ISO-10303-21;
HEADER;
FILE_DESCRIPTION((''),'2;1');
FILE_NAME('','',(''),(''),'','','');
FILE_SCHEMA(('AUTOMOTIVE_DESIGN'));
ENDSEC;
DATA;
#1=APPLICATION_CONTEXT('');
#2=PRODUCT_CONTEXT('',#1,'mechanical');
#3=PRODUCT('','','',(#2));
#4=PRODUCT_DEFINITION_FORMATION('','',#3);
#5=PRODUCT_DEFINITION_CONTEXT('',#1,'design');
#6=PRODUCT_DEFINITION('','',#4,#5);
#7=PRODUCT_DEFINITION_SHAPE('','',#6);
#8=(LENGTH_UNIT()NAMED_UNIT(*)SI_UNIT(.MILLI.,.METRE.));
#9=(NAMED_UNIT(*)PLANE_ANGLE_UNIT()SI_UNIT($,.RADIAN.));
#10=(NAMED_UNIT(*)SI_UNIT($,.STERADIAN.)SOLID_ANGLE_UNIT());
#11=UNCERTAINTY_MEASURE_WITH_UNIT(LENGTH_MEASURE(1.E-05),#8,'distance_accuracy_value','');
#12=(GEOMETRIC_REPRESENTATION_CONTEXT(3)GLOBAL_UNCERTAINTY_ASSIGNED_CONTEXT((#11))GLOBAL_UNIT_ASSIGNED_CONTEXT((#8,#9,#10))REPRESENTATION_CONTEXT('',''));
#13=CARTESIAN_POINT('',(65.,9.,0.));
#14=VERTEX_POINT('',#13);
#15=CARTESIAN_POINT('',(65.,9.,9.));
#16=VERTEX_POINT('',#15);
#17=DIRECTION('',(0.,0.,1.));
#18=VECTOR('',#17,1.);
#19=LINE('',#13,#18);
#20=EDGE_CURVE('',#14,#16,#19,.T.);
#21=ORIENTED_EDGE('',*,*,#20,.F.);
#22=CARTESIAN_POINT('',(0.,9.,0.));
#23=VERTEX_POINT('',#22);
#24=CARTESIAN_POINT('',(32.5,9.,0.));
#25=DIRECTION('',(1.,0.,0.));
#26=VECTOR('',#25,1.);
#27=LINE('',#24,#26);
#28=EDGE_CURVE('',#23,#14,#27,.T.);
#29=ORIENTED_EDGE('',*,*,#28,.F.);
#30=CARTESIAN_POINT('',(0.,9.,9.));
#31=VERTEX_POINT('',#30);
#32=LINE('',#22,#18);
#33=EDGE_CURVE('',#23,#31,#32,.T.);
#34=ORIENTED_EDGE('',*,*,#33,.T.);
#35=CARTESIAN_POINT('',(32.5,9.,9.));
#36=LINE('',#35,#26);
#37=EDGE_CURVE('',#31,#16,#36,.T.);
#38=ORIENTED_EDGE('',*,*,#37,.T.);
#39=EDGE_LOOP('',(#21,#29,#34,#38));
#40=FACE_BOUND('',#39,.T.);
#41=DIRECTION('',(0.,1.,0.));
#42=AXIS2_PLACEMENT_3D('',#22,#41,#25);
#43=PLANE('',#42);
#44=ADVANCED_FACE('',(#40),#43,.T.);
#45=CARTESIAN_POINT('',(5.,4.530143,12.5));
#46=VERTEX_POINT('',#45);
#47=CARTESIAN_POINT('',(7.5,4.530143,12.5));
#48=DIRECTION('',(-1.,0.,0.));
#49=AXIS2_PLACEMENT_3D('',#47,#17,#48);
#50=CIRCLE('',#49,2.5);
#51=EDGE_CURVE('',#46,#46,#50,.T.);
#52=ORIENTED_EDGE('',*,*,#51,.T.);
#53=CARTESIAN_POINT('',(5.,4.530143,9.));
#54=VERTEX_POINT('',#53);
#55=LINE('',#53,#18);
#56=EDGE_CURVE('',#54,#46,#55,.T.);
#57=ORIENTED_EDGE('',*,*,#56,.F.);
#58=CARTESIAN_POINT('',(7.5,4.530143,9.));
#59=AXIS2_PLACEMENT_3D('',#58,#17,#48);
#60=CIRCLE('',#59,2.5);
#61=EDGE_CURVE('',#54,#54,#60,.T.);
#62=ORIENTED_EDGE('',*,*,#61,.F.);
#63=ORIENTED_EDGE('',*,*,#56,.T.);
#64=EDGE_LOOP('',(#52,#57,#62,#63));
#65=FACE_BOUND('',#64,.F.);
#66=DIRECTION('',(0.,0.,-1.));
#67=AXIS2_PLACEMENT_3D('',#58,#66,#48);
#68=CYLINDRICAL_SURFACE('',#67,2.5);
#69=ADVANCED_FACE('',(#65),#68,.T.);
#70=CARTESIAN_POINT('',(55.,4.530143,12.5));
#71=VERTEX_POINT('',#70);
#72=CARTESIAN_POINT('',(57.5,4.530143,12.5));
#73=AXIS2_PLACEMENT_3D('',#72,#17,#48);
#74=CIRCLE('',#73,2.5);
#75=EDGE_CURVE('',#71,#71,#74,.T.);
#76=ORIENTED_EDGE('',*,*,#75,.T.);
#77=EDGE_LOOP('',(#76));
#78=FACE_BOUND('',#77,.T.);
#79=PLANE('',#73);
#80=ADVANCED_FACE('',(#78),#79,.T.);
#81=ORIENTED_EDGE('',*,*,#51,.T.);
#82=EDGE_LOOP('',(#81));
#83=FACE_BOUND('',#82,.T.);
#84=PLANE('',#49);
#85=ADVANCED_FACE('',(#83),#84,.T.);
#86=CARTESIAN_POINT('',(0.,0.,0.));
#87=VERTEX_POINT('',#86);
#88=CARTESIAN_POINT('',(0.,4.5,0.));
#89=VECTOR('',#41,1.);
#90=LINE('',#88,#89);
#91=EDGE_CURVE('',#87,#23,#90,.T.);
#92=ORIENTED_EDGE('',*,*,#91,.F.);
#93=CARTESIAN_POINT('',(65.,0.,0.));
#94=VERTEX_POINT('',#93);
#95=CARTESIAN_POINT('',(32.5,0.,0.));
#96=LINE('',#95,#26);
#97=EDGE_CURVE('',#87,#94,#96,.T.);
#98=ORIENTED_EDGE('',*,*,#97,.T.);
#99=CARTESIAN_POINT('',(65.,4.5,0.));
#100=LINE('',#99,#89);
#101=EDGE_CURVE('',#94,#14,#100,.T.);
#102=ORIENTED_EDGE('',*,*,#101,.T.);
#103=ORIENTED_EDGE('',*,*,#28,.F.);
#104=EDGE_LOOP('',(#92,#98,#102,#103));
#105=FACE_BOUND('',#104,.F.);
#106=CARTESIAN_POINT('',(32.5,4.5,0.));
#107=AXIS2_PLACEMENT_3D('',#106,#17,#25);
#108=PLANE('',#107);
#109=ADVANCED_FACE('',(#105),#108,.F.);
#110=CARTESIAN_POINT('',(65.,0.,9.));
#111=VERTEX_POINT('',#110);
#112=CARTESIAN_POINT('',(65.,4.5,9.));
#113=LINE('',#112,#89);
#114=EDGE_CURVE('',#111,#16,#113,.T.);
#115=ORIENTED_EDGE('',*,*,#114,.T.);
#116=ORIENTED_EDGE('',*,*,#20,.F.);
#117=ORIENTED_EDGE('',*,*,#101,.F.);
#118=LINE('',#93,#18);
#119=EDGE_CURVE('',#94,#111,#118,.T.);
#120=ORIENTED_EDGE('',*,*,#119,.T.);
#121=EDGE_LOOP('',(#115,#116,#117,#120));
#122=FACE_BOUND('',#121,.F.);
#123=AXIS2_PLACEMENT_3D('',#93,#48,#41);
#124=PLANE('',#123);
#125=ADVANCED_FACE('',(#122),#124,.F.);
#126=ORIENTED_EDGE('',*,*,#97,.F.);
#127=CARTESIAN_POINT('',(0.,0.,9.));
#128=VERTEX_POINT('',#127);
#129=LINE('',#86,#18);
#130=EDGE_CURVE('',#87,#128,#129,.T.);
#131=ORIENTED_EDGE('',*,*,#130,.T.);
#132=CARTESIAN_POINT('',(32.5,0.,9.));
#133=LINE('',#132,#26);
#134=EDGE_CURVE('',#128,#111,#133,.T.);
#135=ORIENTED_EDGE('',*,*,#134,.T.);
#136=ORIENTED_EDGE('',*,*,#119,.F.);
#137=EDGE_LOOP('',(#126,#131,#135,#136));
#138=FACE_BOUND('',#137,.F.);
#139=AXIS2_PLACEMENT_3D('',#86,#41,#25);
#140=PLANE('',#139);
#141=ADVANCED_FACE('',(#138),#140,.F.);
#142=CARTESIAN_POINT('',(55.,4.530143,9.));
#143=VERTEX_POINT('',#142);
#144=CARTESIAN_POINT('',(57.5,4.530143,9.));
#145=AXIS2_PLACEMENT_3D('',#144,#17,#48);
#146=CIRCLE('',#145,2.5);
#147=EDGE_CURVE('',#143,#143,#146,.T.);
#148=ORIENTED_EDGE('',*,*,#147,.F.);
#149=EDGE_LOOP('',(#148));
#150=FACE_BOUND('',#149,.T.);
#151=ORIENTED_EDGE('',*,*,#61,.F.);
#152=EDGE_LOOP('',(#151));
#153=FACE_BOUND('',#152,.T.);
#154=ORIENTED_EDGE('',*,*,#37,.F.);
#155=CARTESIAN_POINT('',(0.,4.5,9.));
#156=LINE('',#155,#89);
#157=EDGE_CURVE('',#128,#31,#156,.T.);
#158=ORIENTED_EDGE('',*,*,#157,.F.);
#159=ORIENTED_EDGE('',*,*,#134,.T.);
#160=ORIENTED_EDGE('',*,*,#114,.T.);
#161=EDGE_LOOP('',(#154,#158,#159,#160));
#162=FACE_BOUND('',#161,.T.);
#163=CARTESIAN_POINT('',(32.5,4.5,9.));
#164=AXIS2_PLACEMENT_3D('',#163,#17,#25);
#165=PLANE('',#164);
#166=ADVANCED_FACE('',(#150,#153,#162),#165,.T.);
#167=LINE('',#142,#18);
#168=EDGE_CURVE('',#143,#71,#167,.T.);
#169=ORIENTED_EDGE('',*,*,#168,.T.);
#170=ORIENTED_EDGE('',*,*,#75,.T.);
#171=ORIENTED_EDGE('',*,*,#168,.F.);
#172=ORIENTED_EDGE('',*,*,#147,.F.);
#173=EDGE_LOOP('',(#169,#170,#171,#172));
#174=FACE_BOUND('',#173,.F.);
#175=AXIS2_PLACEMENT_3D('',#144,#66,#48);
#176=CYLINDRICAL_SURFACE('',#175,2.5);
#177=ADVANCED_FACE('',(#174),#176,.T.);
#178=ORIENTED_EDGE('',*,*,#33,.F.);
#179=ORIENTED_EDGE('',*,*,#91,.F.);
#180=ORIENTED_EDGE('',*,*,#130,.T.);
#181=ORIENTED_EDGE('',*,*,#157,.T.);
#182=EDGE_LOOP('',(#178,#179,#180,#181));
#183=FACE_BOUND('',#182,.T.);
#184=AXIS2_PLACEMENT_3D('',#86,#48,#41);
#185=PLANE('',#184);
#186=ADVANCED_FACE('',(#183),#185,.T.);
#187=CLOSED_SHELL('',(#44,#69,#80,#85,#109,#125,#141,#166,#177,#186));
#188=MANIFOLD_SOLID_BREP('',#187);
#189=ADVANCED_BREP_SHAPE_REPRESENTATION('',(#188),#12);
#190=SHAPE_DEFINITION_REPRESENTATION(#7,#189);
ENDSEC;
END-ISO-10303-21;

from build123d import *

# Parameters (mm, degrees)
SKETCH1_W           = 65
SKETCH1_H           = 9
BOSS_EXTRUDE1_DEPTH = 9
SKETCH2_R           = 2.5
BOSS_EXTRUDE2_DEPTH = 3.5


with BuildPart() as part:
    # Sketch1 → Boss-Extrude1 (new body)
    with BuildSketch(Plane.XY):
        with Locations((32.5, 4.5)):
            Rectangle(SKETCH1_W, SKETCH1_H)
    extrude(amount=BOSS_EXTRUDE1_DEPTH)

    # Sketch2 → Boss-Extrude2 (add)
    with BuildSketch(Plane.XY.offset(9)):
        with Locations(Location((7.5, 4.530142984, 0), (0, 0, 180))):  # turned: the seam where the file's is
            Circle(SKETCH2_R)
        with Locations(Location((57.5, 4.530142984, 0), (0, 0, 180))):  # turned: the seam where the file's is
            Circle(SKETCH2_R)
    extrude(amount=BOSS_EXTRUDE2_DEPTH)


solid = part.part
